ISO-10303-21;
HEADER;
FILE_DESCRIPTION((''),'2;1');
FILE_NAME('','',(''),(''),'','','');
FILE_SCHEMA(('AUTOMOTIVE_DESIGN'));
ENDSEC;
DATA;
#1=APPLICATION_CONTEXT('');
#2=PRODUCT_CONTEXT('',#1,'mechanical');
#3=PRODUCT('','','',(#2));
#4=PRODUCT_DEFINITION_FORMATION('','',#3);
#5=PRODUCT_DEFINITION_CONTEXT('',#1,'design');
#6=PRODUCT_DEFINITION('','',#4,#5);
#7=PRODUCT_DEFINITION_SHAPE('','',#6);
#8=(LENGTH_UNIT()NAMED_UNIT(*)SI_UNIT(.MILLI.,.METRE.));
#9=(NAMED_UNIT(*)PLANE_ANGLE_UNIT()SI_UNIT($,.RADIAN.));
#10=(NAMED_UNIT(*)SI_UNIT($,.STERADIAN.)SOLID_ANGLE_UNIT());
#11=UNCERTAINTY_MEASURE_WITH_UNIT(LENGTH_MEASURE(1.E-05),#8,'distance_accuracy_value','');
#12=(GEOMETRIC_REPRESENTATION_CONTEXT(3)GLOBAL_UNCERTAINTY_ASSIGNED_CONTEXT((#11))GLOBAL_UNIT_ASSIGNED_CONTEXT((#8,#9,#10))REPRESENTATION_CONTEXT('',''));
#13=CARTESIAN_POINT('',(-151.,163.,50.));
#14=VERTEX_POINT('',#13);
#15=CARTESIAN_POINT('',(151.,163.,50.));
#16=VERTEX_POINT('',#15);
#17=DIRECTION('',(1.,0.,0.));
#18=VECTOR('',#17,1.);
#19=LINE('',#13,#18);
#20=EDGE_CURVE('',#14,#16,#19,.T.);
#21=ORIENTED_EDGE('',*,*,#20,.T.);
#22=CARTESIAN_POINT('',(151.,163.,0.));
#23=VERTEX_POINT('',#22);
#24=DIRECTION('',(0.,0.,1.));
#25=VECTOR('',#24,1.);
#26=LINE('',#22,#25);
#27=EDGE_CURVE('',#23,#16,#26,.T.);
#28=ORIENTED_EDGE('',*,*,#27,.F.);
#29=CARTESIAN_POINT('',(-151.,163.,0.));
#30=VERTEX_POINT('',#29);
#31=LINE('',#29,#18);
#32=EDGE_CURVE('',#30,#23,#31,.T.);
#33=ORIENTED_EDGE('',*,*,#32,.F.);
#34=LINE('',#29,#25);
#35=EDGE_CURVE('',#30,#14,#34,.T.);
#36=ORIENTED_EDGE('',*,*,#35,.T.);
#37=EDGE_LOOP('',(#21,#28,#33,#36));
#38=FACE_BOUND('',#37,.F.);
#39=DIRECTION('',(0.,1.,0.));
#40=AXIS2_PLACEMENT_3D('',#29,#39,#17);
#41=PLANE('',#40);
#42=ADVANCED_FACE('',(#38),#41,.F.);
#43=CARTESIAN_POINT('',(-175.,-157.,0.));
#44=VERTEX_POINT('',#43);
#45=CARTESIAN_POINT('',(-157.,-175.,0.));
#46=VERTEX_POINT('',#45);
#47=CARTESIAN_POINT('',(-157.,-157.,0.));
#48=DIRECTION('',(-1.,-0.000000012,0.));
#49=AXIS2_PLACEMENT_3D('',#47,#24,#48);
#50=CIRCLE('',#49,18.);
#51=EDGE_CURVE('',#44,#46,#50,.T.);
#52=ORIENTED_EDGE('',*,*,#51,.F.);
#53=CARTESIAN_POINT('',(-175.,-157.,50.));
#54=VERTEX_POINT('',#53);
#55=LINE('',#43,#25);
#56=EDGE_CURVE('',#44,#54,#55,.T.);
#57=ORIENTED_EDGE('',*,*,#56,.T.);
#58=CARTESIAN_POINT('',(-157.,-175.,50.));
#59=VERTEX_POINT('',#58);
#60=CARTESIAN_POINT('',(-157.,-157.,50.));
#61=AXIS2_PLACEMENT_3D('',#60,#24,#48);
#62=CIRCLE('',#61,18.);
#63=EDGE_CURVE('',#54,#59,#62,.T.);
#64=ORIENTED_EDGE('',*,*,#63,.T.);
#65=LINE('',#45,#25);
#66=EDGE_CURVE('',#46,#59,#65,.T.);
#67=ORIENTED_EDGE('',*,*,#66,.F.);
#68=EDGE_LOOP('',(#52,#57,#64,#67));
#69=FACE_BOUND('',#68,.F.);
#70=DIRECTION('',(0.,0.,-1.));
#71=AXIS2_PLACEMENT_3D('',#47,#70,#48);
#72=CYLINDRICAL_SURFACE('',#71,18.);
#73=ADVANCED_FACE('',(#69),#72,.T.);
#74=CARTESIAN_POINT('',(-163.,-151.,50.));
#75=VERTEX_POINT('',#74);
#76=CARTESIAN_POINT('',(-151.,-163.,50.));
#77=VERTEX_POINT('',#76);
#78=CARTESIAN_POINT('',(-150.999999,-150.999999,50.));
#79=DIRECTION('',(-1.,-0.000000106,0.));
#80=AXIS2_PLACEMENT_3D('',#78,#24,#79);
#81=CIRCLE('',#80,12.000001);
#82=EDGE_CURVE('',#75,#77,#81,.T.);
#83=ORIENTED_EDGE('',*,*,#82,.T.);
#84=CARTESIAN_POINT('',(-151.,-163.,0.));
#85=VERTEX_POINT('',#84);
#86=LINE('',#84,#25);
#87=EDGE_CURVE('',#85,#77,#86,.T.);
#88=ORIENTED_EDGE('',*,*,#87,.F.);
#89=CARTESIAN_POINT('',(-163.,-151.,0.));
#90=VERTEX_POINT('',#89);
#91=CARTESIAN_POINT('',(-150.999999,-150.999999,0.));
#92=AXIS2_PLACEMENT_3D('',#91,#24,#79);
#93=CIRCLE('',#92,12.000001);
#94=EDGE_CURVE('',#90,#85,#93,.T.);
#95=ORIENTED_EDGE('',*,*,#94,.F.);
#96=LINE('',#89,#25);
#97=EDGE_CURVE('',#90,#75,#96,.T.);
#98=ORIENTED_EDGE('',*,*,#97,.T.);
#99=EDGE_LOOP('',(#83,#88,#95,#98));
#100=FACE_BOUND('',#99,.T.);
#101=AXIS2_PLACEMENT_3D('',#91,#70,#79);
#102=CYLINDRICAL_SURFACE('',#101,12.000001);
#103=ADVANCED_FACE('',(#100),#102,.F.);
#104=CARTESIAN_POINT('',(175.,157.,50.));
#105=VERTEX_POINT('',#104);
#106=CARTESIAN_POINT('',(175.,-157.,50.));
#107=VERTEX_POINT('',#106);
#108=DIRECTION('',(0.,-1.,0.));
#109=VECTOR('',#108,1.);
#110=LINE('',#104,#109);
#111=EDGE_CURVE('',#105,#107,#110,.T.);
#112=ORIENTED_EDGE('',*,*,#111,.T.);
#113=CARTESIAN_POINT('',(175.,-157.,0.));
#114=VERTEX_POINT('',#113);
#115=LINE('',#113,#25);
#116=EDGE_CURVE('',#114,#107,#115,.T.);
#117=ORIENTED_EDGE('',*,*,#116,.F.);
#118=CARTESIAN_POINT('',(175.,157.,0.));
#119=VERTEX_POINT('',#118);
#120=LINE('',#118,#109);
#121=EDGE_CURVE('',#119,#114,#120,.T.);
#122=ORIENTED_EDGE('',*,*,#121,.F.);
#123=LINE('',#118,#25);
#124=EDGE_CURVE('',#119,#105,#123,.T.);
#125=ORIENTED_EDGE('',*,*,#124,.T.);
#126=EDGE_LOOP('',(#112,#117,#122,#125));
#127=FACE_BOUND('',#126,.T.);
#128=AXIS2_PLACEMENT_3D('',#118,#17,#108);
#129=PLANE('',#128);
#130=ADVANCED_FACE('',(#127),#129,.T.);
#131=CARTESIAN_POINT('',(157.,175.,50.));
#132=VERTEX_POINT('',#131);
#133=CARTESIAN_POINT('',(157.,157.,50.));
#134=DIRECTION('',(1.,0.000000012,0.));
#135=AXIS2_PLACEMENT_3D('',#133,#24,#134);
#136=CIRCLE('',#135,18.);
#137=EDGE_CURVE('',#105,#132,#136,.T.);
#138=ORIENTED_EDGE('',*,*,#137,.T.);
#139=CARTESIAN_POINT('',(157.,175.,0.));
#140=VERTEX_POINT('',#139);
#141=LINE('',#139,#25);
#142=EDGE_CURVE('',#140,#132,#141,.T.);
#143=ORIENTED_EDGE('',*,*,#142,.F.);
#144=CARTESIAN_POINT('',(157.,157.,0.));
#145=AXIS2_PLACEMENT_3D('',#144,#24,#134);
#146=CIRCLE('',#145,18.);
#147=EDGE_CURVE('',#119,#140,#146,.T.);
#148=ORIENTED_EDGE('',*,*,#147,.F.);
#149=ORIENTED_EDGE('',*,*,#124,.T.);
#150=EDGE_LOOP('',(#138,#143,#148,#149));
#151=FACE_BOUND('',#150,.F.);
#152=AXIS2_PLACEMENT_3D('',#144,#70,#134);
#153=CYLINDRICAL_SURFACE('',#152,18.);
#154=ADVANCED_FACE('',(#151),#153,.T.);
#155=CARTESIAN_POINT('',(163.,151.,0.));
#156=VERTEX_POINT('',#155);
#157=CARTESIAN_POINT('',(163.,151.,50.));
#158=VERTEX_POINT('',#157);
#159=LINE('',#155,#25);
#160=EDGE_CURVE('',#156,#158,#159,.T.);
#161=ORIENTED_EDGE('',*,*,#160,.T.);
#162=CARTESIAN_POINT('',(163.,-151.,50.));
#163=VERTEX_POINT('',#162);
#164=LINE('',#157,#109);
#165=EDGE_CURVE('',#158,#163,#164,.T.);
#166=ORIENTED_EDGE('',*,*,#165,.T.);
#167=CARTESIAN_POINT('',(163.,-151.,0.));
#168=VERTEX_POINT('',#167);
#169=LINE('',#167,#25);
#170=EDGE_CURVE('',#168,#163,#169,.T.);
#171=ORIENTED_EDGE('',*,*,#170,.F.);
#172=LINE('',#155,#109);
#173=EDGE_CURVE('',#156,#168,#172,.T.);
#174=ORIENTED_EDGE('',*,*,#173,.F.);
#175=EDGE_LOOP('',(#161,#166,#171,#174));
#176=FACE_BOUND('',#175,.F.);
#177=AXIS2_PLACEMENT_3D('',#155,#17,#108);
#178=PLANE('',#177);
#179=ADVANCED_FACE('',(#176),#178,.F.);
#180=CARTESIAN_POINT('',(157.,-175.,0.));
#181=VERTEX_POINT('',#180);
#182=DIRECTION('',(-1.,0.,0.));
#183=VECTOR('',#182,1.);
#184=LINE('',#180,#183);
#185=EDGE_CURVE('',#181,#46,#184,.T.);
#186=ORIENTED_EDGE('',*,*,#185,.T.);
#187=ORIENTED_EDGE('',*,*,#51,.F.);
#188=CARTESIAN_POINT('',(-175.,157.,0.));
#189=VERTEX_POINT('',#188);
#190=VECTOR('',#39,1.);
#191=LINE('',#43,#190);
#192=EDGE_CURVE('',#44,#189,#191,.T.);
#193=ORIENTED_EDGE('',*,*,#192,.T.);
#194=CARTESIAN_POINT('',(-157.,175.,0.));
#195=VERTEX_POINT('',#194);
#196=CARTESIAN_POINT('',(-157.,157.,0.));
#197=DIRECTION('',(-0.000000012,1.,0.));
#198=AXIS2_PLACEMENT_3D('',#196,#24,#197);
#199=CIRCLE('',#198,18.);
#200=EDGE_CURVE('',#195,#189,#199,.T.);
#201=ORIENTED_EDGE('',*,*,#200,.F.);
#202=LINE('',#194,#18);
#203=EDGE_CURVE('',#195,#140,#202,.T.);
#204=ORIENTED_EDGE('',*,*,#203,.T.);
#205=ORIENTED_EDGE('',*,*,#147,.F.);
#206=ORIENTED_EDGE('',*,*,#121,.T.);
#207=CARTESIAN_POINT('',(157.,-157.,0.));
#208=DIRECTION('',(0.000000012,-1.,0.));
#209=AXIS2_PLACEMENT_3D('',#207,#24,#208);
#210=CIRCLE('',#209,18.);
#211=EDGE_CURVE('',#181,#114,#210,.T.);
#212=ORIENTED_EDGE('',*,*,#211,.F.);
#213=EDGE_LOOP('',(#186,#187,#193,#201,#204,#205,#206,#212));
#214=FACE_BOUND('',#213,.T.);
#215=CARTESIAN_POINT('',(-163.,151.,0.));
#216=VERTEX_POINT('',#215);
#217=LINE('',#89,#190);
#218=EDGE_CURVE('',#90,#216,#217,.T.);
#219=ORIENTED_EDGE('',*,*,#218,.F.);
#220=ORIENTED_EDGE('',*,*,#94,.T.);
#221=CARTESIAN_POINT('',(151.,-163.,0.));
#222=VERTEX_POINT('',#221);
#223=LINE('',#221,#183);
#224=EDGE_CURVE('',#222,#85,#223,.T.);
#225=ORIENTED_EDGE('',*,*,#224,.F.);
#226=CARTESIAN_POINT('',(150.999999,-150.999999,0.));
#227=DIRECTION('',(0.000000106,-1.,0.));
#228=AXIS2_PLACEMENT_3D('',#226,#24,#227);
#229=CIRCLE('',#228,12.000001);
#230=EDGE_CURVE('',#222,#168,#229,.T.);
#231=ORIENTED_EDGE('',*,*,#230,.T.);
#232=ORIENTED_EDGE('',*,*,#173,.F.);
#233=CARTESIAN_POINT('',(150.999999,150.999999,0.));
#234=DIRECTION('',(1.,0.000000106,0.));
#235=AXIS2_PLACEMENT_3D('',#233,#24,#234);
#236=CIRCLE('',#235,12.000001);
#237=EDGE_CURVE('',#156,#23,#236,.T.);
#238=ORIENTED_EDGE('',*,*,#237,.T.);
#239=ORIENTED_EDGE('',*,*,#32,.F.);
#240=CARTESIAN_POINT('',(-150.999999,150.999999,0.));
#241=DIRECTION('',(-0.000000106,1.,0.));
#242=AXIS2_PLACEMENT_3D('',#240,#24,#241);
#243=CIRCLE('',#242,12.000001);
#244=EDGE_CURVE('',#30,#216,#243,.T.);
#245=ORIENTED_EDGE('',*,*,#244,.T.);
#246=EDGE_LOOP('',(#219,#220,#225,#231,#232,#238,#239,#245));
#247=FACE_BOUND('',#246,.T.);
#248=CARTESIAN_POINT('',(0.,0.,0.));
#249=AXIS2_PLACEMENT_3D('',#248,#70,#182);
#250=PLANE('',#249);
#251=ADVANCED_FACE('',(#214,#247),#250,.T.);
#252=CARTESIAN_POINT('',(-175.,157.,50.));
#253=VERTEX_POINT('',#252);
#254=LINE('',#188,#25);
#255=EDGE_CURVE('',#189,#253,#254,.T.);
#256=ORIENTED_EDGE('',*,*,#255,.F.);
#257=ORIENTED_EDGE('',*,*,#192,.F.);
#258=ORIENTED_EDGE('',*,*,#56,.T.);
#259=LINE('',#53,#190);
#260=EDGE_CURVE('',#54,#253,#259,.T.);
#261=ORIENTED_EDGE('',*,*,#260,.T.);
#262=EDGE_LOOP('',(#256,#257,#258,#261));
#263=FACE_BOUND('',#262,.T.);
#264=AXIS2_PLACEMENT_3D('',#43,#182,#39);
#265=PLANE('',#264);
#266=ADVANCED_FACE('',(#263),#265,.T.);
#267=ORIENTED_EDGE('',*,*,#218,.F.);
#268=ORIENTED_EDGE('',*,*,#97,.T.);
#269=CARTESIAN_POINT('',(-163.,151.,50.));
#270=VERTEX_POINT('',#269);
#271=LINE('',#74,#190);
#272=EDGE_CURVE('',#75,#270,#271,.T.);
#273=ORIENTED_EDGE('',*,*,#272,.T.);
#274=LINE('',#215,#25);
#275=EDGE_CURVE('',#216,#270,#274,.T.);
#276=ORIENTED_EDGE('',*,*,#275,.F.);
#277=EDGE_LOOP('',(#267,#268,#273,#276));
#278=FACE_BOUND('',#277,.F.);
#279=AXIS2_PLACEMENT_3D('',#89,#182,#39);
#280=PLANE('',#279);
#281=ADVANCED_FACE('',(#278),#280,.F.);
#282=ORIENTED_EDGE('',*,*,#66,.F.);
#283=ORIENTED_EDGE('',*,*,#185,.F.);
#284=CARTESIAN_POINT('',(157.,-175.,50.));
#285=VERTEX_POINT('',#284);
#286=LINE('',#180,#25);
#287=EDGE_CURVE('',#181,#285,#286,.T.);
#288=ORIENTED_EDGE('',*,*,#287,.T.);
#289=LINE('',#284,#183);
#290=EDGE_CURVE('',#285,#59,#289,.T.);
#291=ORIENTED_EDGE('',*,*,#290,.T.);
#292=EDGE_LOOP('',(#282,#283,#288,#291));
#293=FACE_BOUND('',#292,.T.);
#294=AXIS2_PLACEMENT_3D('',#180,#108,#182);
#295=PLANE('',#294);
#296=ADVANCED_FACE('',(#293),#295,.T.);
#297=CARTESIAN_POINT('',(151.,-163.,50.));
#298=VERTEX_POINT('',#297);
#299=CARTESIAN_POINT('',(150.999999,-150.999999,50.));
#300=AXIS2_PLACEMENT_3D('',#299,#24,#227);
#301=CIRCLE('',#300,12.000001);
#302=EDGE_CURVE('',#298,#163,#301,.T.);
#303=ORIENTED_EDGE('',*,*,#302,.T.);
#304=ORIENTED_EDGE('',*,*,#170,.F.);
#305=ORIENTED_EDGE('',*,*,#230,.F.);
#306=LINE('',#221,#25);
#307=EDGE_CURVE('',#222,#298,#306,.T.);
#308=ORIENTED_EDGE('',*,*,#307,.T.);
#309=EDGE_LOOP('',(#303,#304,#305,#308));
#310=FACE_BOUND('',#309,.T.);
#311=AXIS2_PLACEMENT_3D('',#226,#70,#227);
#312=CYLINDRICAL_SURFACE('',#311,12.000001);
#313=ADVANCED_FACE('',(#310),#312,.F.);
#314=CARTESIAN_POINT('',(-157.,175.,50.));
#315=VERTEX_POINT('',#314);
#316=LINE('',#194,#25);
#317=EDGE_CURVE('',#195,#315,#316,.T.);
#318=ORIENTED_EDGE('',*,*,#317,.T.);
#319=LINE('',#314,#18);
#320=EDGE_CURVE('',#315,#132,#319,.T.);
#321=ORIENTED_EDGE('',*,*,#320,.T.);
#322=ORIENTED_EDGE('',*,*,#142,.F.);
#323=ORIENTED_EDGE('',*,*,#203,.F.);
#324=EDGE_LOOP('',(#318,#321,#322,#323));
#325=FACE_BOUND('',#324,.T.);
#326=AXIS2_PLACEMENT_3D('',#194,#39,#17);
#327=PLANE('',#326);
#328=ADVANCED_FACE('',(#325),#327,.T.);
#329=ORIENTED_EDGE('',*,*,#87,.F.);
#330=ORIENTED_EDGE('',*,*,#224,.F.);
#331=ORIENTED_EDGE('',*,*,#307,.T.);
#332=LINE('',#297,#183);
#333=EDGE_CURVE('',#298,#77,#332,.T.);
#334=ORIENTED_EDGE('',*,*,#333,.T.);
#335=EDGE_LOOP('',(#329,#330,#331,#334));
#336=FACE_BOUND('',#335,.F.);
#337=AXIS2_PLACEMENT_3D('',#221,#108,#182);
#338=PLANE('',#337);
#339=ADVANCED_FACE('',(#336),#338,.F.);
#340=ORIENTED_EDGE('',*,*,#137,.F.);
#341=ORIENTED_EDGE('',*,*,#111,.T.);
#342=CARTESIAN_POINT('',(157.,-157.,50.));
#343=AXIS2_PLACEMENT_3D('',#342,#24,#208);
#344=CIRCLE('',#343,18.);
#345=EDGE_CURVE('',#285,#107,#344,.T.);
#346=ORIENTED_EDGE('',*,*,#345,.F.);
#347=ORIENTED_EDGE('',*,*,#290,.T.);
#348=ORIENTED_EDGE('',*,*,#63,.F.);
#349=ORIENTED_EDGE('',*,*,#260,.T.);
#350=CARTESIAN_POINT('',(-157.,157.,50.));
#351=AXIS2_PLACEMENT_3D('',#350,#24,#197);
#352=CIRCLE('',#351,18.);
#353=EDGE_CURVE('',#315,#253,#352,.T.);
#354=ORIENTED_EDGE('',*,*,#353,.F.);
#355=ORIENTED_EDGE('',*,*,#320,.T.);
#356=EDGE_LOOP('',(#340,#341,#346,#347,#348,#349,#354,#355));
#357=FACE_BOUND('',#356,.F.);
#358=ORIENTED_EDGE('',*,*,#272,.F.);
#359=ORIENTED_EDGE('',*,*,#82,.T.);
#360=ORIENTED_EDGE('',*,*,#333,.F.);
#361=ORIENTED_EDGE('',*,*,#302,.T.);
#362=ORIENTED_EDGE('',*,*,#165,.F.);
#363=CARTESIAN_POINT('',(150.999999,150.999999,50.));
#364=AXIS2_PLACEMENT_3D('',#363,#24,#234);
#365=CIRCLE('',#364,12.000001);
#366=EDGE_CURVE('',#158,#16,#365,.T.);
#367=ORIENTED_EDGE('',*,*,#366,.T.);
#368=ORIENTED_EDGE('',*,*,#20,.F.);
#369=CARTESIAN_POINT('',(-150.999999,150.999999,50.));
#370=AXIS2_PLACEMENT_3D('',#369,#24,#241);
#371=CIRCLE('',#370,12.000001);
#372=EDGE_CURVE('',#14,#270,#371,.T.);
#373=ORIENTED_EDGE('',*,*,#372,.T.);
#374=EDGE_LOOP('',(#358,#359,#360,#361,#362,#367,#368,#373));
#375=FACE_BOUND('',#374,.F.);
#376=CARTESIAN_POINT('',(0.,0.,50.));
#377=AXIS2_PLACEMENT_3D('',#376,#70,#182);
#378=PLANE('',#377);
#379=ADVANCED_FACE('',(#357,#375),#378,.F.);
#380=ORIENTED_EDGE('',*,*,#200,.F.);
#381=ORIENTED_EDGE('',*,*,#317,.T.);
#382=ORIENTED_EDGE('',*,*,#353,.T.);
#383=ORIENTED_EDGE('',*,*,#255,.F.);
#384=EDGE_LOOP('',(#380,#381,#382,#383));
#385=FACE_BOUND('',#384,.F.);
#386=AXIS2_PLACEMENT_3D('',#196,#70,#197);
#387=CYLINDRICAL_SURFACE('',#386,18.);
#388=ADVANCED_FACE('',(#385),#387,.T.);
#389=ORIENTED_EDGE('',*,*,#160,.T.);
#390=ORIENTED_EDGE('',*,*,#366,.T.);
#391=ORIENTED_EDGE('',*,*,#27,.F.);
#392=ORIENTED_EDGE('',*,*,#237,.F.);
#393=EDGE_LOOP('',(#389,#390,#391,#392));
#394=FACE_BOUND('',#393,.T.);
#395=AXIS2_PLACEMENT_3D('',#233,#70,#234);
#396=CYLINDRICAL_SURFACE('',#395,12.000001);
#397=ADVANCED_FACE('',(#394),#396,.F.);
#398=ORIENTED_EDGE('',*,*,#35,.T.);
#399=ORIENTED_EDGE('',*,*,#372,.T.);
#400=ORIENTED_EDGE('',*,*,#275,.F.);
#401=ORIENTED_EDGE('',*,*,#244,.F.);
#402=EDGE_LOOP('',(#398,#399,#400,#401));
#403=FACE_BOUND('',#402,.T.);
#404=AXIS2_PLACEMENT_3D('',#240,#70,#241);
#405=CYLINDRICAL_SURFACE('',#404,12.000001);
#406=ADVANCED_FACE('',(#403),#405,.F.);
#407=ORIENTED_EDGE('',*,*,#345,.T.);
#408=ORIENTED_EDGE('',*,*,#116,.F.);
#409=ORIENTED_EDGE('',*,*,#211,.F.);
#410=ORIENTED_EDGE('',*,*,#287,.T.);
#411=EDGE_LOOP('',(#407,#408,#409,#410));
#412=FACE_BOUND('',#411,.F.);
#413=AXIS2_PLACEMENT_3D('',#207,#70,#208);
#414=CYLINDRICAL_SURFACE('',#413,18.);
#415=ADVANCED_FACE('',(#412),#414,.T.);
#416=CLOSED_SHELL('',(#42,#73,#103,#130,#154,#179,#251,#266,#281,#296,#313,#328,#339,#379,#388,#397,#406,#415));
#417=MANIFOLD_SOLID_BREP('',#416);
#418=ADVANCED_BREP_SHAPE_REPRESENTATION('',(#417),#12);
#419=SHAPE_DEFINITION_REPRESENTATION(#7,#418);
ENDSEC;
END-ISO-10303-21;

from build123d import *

# Parameters (mm, degrees)
EXTRUDE_DEPTH = 50


with BuildPart() as part:
    # Sketch → Extrude (new body)
    with BuildSketch(Plane.XY):
        with BuildLine():
            Line((-157, 175), (157, 175))
            ThreePointArc((175, 157), (169.727922, 169.727922), (157, 175))
            Line((175, 157), (175, -157))
            ThreePointArc((157, -175), (169.727922, -169.727922), (175, -157))
            Line((157, -175), (-157, -175))
            ThreePointArc((-175, -157), (-169.727922, -169.727922), (-157, -175))
            Line((-175, -157), (-175, 157))
            ThreePointArc((-157, 175), (-169.727922, 169.727922), (-175, 157))
        make_face()
        with BuildLine():
            Line((-151, 163), (151, 163))
            ThreePointArc((163, 151), (159.485281, 159.485281), (151, 163))
            Line((163, 151), (163, -151))
            ThreePointArc((151, -163), (159.485281, -159.485281), (163, -151))
            Line((151, -163), (-151, -163))
            ThreePointArc((-163, -151), (-159.485281, -159.485281), (-151, -163))
            Line((-163, -151), (-163, 151))
            ThreePointArc((-151, 163), (-159.485281, 159.485281), (-163, 151))
        make_face(mode=Mode.SUBTRACT)
    extrude(amount=EXTRUDE_DEPTH)


solid = part.part
